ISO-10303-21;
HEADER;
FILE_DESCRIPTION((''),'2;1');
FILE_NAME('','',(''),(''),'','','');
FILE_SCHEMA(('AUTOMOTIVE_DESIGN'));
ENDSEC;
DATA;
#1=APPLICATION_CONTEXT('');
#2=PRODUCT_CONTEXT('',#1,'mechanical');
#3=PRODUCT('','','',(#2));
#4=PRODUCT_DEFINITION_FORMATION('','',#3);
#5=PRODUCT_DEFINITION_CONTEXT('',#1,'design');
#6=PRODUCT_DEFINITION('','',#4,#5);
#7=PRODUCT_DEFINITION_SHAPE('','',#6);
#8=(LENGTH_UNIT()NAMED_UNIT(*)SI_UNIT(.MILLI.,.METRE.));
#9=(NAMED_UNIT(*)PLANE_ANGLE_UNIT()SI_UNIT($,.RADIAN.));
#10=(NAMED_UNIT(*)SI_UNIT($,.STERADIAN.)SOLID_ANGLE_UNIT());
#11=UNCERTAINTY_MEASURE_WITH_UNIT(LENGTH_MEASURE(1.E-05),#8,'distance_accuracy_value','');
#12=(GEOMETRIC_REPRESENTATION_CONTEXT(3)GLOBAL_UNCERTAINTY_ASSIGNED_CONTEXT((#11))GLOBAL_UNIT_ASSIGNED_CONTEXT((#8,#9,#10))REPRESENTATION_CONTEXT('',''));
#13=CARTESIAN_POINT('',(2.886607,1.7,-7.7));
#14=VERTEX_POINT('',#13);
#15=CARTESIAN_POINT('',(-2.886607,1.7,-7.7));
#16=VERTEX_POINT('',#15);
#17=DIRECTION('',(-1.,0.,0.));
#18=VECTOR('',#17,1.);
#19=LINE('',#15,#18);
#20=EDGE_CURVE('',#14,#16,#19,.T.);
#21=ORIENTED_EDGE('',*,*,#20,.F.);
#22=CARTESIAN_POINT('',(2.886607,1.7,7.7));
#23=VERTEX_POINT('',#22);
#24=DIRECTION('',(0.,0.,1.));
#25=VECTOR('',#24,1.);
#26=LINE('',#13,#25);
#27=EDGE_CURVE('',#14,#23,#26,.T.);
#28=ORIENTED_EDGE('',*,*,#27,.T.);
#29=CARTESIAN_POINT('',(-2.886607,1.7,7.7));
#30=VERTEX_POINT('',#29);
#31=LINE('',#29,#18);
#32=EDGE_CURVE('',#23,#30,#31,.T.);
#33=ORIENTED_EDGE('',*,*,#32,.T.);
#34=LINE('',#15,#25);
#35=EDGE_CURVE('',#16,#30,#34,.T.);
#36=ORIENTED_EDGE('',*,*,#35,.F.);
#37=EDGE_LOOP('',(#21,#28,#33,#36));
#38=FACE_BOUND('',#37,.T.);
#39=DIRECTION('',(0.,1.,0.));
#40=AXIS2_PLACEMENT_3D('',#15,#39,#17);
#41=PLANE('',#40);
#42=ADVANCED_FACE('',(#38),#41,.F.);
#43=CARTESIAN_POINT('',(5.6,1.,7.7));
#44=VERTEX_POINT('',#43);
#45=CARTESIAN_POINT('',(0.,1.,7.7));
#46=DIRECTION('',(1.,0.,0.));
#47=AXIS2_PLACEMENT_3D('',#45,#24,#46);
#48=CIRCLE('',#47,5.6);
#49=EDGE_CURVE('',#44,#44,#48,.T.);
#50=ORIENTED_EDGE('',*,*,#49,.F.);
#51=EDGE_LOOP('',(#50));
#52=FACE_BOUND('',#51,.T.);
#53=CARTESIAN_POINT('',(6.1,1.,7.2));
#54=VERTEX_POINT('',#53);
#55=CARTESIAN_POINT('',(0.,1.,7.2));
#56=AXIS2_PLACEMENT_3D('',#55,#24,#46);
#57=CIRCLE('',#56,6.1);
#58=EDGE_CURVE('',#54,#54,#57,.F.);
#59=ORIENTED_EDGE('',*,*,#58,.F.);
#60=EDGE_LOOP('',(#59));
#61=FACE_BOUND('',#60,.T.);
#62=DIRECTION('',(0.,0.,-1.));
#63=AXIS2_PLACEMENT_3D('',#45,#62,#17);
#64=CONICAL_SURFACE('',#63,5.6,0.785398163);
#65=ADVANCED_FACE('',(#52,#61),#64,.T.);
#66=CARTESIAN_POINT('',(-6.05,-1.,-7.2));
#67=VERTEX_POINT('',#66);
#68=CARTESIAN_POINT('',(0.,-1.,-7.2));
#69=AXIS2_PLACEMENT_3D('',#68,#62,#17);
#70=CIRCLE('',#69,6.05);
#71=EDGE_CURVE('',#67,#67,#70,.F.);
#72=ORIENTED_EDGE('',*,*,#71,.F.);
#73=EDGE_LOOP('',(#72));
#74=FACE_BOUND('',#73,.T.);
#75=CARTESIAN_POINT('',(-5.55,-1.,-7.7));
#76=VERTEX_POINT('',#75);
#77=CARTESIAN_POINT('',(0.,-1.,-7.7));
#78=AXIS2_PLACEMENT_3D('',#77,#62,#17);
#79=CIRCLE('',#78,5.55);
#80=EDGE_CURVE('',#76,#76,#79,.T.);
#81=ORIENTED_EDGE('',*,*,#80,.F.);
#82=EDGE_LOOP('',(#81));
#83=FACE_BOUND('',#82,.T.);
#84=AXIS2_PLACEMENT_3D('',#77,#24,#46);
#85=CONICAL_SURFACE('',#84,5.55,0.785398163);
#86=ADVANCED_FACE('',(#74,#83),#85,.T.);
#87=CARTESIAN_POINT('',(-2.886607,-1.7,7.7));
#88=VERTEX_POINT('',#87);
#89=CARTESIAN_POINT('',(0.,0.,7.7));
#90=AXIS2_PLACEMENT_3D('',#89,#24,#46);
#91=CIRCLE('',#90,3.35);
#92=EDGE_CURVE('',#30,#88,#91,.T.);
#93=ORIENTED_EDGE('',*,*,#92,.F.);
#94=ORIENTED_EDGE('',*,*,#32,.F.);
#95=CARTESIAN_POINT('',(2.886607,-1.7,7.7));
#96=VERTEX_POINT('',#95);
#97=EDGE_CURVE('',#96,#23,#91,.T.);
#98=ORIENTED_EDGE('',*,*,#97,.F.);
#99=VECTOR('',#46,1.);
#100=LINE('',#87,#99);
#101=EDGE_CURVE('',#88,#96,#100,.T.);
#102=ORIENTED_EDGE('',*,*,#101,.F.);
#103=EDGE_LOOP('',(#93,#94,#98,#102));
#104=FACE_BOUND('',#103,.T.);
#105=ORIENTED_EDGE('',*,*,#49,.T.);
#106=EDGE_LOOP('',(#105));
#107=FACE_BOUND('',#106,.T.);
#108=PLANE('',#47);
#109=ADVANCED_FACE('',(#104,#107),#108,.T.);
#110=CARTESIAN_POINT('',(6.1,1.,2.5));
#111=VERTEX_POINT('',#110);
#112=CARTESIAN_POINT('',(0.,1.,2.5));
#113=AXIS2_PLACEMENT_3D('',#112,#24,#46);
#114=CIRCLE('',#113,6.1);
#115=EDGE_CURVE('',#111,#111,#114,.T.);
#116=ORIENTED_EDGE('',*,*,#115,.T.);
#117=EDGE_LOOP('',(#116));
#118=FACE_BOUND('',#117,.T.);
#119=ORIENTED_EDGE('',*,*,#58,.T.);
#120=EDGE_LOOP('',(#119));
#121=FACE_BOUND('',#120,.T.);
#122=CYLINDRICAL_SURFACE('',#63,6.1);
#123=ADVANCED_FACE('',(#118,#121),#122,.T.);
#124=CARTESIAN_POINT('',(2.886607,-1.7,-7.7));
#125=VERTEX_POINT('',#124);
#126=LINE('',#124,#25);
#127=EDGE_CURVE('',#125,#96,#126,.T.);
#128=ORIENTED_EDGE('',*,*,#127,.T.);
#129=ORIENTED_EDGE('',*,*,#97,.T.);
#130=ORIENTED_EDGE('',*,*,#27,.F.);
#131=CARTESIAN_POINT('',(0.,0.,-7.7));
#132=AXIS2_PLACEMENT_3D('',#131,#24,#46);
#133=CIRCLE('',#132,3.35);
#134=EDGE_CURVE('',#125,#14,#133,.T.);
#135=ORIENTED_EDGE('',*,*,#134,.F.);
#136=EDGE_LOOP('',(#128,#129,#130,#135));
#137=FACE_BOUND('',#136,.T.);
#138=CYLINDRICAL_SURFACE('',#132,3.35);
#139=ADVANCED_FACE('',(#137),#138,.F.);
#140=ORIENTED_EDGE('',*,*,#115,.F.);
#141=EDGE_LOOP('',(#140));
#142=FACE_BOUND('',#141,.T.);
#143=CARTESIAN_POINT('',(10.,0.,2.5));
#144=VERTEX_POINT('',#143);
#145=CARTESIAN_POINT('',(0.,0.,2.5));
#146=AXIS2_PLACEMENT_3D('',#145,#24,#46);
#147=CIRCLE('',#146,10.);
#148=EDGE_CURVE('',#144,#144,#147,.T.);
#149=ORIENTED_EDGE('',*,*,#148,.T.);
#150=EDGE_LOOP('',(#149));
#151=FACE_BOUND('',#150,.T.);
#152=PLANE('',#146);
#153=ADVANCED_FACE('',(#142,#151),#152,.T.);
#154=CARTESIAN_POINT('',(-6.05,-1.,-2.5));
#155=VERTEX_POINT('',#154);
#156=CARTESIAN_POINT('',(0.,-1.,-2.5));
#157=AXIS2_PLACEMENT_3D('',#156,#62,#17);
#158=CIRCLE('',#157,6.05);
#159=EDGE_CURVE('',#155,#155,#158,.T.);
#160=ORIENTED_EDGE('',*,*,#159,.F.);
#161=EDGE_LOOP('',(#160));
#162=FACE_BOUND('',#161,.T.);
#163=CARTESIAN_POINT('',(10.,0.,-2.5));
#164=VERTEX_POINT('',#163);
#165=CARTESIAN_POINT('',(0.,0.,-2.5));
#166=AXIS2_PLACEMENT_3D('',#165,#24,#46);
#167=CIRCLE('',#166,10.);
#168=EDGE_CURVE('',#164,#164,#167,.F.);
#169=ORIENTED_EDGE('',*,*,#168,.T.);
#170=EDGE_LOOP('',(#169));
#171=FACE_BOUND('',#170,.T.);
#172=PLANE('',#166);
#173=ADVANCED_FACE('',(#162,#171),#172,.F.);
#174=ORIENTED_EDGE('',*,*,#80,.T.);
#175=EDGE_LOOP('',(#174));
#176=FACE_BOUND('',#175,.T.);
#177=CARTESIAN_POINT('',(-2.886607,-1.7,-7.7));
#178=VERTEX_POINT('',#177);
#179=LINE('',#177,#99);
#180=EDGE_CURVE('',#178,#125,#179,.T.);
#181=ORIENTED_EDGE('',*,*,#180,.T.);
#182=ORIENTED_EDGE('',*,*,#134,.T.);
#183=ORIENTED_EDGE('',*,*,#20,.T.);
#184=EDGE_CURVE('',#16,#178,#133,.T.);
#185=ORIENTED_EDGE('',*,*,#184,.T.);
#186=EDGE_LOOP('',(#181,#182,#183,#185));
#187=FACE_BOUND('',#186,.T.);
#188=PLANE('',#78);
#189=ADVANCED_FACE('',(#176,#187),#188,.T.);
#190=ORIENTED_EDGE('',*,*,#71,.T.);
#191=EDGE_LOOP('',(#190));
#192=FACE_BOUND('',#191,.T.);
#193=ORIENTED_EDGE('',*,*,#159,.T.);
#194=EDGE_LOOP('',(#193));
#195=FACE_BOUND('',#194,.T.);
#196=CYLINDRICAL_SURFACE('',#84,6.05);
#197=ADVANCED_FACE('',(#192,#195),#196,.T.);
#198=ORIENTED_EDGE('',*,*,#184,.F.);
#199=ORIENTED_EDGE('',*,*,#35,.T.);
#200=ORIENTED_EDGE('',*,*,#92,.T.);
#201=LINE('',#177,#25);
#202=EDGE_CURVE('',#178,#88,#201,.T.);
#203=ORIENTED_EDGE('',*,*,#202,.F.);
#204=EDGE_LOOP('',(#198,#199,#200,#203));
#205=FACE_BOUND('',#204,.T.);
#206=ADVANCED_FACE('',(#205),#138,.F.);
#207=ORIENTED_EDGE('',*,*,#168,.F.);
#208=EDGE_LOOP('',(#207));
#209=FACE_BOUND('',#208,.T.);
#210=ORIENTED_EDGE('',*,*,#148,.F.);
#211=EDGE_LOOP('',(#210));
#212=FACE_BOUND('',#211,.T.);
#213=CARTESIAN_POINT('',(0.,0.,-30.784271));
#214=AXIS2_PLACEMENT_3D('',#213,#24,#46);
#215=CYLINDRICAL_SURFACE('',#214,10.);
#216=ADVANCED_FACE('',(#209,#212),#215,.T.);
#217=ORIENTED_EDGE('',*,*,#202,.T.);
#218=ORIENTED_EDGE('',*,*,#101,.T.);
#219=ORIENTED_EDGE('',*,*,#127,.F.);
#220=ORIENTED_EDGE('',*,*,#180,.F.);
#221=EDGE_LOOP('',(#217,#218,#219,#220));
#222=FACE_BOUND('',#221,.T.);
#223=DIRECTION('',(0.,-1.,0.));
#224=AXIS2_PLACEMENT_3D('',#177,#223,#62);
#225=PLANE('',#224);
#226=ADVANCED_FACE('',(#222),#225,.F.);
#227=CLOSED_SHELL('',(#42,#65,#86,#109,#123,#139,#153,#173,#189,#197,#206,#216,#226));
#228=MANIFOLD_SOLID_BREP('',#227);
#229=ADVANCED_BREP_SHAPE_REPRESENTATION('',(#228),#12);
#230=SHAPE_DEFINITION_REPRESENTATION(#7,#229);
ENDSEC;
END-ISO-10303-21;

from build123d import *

# Parameters (mm, degrees)
SKETCH6_R               = 6
BOSS_EXTRUDE4_DEPTH     = 2.5
SKETCH7_R               = 6.1
BOSS_EXTRUDE5_DEPTH     = 5.2
SKETCH8_R               = 6.05
BOSS_EXTRUDE6_DEPTH     = 5.2
SKETCH13_R              = 10
BOSS_EXTRUDE7_DEPTH     = 5
CUT_EXTRUDE1_DEPTH      = 6.2
CUT_EXTRUDE1_DEPTH_BACK = 11.2
CHAMFER1_SIZE           = 0.5


with BuildPart() as part:
    # Sketch6 → Boss-Extrude4 (new body, symmetric)
    with BuildSketch(Plane.XY):
        Circle(SKETCH6_R)
    extrude(amount=BOSS_EXTRUDE4_DEPTH, both=True)

    # Sketch7 → Boss-Extrude5 (add)
    with BuildSketch(Plane.XY.offset(2.5)):
        with Locations((0, 1)):
            Circle(SKETCH7_R)
    extrude(amount=BOSS_EXTRUDE5_DEPTH)

    # Sketch8 → Boss-Extrude6 (add)
    with BuildSketch(Plane(origin=(0, 0, -2.5), x_dir=(-1, 0, 0), z_dir=(0, 0, -1))):
        with Locations((0, -1)):
            Circle(SKETCH8_R)
    extrude(amount=BOSS_EXTRUDE6_DEPTH)

    # Sketch13 → Boss-Extrude7 (add)
    with BuildSketch(Plane.XY.offset(2.5)):
        Circle(SKETCH13_R)
    extrude(amount=-BOSS_EXTRUDE7_DEPTH)

    # Sketch11 → Cut-Extrude1 (cut, two sides)
    with BuildSketch(Plane.XY.offset(2.5)) as cut_extrude1_sk:
        with BuildLine():
            Line((-2.886607005, -1.7), (2.886607005, -1.7))
            ThreePointArc((2.886607005, -1.7), (3.35, 0), (2.886607005, 1.7))
            Line((2.886607005, 1.7), (-2.886607005, 1.7))
            ThreePointArc((-2.886607005, 1.7), (-3.35, 0), (-2.886607005, -1.7))
        make_face()
    extrude(amount=CUT_EXTRUDE1_DEPTH, mode=Mode.SUBTRACT)
    extrude(cut_extrude1_sk.sketch, amount=-CUT_EXTRUDE1_DEPTH_BACK, mode=Mode.SUBTRACT)

    # Chamfer1
    chamfer1_edges = [part.edges().sort_by_distance(p)[0] for p in [
        (6.05, -1, -7.7),
        (-6.1, 1, 7.7),
    ]]
    chamfer(chamfer1_edges, length=CHAMFER1_SIZE)


solid = part.part
